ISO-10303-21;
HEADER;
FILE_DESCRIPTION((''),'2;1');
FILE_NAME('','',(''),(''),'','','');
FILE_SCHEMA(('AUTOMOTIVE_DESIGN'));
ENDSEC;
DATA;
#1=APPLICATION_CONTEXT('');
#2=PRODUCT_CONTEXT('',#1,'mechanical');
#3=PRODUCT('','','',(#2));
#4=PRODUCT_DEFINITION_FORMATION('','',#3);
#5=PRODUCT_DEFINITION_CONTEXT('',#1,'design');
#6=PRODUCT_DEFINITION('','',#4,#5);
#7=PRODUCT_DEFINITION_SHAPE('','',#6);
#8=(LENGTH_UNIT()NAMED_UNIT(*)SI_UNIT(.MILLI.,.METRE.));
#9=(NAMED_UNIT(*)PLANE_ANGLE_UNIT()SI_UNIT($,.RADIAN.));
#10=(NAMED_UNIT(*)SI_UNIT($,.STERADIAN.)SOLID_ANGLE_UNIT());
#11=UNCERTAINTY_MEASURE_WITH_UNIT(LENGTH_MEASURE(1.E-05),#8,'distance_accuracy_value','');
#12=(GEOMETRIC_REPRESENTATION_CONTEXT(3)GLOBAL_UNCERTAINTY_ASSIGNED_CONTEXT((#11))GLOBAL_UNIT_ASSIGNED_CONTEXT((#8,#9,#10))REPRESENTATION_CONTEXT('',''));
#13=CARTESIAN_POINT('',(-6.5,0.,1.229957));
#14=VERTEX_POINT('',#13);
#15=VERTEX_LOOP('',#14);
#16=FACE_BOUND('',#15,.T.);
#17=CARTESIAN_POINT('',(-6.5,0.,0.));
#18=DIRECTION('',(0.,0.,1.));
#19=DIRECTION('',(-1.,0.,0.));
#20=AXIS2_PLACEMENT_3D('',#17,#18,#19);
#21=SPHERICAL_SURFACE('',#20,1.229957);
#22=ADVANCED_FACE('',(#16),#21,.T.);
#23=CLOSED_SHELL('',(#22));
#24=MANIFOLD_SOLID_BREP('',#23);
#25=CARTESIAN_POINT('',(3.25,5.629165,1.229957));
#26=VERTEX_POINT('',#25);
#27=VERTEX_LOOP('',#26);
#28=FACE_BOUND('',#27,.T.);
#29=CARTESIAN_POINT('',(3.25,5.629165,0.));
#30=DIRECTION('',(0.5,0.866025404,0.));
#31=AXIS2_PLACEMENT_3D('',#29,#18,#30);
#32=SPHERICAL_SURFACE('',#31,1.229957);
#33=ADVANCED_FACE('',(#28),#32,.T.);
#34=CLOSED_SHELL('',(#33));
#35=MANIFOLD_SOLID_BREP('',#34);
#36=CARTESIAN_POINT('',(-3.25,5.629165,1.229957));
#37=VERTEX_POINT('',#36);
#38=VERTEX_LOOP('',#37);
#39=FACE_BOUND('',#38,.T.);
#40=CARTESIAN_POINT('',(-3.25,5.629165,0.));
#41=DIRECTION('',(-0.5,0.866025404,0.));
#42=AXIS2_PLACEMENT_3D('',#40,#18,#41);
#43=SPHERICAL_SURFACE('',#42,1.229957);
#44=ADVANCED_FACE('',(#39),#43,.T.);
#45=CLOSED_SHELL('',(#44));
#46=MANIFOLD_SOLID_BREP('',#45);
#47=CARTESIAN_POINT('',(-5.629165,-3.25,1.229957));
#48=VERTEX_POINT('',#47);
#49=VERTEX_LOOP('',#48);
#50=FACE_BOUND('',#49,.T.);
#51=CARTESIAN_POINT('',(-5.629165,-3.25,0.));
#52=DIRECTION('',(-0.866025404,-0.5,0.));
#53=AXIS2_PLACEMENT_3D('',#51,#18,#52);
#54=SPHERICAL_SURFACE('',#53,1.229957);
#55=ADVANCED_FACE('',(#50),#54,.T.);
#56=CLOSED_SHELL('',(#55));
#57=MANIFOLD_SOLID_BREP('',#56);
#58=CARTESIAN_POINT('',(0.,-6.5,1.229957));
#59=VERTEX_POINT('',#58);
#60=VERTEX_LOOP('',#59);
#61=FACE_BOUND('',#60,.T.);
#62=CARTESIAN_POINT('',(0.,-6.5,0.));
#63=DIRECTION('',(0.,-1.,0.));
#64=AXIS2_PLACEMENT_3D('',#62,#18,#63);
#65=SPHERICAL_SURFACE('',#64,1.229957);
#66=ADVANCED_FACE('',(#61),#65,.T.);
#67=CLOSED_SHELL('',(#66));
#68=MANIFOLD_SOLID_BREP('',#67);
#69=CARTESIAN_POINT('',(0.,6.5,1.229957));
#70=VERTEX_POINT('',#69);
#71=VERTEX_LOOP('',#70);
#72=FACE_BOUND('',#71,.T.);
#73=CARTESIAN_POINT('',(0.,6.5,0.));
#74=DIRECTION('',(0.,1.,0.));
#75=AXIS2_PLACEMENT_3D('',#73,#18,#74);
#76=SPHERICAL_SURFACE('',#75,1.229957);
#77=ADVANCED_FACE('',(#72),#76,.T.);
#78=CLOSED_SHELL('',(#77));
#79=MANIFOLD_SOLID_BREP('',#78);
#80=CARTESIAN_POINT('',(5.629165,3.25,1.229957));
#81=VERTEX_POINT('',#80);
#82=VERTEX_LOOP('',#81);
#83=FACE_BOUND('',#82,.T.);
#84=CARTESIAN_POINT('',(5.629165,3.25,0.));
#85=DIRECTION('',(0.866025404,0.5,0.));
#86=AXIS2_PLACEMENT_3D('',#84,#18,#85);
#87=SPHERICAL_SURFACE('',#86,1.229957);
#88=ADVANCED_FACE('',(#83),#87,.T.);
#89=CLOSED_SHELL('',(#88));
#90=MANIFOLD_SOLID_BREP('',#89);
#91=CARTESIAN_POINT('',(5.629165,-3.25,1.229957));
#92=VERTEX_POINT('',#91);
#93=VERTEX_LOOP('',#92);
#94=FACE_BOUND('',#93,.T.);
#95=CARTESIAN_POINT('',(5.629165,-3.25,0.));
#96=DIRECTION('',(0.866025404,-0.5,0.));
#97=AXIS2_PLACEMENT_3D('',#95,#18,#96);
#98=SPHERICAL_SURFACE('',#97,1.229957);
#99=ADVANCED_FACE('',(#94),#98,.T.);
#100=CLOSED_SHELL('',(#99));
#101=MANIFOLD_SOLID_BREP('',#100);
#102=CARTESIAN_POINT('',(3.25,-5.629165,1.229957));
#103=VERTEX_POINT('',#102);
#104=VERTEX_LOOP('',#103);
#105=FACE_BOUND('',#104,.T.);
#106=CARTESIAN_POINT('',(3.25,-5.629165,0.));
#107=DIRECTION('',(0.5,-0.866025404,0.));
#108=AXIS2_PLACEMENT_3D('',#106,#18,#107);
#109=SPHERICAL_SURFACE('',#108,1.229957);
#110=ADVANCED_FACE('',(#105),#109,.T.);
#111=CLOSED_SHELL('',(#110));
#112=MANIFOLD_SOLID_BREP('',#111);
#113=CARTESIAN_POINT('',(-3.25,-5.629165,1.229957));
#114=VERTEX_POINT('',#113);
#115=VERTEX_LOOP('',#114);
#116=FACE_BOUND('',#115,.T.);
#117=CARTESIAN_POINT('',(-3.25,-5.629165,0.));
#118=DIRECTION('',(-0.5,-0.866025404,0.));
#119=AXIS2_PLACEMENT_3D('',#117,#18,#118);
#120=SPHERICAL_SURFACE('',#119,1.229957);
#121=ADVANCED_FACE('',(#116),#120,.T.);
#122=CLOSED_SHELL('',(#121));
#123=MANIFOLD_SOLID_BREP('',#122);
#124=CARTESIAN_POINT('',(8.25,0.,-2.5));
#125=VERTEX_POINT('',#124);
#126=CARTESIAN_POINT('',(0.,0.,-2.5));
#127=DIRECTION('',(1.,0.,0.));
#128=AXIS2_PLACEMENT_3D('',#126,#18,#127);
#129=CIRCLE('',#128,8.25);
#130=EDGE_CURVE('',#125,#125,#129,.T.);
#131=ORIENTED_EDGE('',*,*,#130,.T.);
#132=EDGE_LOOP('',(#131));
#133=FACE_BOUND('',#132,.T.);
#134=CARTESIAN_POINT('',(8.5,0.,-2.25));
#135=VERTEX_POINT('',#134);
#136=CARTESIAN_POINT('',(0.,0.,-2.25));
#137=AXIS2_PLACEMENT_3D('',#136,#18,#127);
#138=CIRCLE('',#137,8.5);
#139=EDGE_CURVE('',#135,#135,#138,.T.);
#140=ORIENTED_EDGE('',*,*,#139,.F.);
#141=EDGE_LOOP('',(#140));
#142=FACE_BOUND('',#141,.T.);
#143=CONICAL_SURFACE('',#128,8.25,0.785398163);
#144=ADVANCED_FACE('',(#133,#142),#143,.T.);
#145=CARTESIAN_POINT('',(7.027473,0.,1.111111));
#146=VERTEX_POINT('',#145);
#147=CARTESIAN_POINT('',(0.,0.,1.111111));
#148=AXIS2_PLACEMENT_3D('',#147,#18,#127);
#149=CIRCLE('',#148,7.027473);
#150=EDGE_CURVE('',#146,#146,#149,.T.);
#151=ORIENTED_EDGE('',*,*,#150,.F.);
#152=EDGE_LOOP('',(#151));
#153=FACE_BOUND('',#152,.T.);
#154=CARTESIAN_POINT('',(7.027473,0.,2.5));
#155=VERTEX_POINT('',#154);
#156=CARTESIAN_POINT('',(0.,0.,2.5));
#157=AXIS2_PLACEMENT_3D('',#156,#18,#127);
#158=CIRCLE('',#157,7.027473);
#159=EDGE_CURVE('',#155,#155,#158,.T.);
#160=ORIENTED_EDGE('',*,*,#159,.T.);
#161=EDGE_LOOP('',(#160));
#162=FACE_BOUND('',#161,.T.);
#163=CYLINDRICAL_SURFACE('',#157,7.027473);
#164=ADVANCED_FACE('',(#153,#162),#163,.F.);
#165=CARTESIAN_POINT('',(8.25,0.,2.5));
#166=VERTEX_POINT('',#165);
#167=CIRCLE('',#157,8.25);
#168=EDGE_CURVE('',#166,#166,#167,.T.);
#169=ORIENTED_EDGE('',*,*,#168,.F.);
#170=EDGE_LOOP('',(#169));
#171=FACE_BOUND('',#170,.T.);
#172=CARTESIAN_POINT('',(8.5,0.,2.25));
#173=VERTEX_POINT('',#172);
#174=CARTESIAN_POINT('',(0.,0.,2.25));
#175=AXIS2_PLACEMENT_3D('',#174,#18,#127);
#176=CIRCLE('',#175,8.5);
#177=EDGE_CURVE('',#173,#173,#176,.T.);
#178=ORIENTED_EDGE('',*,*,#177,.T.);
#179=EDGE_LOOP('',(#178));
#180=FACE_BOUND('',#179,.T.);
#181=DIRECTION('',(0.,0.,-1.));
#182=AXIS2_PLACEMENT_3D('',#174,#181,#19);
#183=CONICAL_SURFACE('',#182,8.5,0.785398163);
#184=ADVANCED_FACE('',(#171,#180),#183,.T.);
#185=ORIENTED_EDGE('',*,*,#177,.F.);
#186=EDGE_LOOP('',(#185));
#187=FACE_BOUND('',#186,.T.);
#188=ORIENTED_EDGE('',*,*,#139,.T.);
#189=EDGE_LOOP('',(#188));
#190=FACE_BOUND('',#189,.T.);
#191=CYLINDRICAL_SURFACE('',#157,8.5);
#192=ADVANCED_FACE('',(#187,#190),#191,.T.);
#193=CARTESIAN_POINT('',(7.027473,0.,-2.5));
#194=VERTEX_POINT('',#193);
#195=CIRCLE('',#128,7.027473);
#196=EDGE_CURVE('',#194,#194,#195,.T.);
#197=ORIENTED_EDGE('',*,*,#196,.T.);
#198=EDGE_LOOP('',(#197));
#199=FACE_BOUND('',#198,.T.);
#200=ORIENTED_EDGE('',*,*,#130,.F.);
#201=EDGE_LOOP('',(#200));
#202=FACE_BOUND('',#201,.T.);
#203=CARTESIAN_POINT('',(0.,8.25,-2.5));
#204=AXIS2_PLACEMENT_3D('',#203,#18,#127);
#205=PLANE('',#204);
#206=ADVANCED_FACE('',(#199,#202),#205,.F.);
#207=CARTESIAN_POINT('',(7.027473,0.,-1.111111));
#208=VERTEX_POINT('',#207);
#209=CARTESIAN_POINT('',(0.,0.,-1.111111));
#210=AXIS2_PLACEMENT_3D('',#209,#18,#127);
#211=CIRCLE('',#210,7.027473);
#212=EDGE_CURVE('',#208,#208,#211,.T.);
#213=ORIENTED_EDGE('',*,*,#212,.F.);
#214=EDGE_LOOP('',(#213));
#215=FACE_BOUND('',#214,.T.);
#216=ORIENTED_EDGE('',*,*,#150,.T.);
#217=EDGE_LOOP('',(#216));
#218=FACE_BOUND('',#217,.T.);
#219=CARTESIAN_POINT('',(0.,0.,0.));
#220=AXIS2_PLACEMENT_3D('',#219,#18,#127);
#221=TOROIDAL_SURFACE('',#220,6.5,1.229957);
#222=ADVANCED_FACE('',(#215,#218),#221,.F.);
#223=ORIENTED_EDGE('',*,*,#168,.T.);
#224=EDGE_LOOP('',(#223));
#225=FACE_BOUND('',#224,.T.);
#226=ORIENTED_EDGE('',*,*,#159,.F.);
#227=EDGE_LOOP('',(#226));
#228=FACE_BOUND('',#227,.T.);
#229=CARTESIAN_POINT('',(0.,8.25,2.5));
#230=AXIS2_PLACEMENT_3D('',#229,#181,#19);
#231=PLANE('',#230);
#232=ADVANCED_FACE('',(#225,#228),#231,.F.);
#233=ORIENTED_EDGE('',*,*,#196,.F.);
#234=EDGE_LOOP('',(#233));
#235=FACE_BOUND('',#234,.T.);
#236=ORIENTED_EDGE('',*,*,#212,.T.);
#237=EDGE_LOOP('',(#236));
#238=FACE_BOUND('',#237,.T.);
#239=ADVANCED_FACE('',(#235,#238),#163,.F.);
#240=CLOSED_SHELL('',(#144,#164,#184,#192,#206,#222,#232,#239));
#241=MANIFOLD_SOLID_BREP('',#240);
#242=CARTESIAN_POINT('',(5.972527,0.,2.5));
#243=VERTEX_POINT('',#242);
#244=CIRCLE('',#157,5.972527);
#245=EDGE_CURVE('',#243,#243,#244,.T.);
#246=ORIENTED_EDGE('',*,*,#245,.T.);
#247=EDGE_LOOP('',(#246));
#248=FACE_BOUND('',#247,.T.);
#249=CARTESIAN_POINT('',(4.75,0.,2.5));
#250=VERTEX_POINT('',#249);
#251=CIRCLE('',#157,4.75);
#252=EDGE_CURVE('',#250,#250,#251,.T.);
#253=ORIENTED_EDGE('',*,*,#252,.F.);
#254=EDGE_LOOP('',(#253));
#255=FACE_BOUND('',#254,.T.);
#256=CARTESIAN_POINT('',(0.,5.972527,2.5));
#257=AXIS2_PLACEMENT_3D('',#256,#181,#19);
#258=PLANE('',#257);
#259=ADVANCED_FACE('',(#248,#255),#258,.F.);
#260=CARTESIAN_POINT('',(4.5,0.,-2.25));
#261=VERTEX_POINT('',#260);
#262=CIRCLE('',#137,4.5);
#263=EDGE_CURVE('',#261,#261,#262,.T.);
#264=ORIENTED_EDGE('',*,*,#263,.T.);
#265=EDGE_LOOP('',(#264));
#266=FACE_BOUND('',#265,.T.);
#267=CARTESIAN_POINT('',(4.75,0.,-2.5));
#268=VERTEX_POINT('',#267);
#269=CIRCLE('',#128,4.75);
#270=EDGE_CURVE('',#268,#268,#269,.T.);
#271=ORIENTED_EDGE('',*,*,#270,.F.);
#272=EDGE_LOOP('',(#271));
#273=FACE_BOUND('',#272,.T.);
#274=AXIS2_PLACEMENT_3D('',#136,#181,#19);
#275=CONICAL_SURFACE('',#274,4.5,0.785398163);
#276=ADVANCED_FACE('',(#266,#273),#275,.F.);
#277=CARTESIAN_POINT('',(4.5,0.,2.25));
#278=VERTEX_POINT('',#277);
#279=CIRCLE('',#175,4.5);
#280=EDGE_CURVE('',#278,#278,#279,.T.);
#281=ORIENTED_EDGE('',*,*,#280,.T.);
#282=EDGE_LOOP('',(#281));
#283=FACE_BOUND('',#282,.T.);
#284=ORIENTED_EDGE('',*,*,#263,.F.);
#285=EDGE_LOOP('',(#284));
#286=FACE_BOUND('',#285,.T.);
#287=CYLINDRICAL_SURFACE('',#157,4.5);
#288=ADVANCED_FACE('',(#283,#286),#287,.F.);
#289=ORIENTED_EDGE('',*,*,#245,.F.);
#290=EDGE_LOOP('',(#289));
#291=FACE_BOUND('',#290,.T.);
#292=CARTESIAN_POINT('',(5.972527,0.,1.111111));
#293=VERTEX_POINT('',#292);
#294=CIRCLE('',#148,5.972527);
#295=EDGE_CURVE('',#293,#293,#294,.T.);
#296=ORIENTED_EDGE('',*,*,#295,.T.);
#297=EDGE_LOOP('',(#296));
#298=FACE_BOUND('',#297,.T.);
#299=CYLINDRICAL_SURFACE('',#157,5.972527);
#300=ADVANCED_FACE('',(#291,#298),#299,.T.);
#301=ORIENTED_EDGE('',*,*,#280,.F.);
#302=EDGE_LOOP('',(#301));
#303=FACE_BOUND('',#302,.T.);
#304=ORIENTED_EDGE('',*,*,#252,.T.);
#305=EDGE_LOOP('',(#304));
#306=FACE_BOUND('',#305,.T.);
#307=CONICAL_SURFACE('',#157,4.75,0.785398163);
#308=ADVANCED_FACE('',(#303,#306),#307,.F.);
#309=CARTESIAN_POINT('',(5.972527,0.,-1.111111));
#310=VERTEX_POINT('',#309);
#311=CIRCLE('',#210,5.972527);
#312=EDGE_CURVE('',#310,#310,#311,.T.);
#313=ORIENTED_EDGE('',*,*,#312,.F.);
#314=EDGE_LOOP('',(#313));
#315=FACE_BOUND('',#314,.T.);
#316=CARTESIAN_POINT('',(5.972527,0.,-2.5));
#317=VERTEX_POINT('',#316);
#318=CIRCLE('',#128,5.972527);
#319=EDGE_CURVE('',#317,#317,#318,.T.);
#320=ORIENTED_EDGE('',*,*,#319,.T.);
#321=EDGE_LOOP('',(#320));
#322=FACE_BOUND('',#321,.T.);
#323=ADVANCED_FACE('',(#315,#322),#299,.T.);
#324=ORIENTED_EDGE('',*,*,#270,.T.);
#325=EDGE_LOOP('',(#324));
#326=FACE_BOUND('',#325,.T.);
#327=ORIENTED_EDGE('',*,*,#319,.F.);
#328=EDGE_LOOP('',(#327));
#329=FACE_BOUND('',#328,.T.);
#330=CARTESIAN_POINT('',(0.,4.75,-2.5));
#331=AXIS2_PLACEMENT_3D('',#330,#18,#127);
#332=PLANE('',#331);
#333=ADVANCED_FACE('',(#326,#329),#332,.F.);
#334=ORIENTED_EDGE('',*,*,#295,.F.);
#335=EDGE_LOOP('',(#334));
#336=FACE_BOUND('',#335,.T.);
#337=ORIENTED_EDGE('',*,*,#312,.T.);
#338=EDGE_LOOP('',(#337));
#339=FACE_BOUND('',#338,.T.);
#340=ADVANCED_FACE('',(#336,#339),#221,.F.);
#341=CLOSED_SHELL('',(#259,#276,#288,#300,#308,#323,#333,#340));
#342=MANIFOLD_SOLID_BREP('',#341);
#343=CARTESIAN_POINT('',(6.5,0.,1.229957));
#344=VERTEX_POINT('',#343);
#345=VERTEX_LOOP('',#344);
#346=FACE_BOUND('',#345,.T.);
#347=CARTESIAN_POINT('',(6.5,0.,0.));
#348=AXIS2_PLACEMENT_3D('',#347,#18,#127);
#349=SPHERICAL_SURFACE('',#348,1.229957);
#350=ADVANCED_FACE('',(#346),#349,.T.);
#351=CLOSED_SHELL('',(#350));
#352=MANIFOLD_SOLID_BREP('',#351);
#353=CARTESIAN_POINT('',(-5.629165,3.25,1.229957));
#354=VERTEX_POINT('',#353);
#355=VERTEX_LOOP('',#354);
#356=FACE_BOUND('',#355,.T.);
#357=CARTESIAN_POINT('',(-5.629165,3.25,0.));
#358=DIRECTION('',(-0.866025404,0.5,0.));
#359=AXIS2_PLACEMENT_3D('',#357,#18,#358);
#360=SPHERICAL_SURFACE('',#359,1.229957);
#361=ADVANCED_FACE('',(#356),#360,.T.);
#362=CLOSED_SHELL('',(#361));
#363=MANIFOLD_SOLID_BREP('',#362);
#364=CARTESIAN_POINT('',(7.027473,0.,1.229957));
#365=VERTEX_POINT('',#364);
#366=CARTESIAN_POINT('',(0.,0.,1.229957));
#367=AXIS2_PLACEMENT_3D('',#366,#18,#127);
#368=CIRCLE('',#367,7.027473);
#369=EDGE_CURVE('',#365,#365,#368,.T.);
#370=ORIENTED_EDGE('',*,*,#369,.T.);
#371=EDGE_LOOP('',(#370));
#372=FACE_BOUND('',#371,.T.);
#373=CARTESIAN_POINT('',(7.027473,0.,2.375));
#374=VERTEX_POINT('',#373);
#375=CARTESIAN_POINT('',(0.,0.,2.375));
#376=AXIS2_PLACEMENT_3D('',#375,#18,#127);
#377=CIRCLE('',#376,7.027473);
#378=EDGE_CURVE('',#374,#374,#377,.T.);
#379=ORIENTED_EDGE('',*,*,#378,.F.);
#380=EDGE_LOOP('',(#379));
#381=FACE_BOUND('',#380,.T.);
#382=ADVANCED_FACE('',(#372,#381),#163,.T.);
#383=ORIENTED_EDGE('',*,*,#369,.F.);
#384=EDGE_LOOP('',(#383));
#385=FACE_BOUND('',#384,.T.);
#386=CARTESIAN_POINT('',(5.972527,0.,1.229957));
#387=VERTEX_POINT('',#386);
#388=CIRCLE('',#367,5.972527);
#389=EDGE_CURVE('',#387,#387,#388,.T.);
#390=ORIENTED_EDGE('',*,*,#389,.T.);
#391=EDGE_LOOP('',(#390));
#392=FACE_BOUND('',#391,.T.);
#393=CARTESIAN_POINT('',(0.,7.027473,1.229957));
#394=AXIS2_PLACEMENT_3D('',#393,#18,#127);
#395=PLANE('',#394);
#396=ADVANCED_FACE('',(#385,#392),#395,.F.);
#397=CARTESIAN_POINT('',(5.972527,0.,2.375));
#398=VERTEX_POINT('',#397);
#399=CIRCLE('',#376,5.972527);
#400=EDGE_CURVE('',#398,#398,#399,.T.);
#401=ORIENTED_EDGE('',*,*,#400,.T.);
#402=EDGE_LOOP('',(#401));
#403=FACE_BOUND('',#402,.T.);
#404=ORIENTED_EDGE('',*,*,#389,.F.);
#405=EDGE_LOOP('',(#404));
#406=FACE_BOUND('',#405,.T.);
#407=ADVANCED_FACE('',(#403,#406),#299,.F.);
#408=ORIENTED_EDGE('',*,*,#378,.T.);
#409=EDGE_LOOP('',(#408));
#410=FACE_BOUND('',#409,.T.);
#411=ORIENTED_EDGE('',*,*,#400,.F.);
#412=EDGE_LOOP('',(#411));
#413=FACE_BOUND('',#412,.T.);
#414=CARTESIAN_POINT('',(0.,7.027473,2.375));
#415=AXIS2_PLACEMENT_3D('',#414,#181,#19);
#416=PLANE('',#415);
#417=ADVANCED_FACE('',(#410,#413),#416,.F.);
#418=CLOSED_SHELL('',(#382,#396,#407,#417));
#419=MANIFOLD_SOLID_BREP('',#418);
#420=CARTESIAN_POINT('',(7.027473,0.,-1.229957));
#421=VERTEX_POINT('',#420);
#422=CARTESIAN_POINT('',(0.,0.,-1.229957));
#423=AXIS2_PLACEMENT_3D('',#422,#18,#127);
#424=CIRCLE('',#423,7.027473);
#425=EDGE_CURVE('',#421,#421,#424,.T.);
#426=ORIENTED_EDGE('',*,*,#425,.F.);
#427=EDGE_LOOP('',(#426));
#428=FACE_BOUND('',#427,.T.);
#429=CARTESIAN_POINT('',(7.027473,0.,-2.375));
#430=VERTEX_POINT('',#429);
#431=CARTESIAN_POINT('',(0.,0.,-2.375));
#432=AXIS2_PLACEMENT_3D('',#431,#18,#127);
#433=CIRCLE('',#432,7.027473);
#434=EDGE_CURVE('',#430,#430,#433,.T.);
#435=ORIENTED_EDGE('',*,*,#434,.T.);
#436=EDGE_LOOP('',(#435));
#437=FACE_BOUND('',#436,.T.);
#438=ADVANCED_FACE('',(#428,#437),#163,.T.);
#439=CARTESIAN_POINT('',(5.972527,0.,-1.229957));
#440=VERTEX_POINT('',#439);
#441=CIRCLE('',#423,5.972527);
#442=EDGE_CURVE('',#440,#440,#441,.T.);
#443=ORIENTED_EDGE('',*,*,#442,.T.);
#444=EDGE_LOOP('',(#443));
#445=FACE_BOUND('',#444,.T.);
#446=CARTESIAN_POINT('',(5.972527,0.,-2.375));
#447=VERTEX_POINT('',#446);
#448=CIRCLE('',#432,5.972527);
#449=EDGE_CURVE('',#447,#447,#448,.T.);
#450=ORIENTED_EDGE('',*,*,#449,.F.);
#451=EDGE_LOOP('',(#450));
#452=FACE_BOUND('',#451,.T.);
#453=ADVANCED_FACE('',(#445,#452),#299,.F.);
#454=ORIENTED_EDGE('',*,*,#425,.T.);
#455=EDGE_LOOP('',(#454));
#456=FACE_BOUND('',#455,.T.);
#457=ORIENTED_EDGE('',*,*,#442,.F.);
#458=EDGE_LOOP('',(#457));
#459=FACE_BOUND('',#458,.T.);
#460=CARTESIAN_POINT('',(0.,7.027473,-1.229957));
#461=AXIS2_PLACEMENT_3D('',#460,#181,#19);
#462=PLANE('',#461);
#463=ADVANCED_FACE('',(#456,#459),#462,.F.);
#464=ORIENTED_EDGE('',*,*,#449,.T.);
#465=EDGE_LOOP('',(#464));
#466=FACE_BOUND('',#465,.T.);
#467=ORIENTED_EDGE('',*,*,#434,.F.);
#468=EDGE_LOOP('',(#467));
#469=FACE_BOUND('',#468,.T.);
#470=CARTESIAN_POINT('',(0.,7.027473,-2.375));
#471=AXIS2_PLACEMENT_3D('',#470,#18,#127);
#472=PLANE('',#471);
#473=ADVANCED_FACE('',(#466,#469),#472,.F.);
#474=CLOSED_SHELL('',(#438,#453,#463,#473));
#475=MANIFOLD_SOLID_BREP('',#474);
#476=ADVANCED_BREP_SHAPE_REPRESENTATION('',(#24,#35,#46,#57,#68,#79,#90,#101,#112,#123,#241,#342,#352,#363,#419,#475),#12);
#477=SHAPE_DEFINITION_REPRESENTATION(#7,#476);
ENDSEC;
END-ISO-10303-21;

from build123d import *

# Parameters (mm, degrees)
CIRPATTERN1_COUNT = 12
SKETCH5_W         = 1.145042615
SKETCH5_H         = 1.054945054


with BuildPart() as part:
    # Sketch1 → Revolve1 (revolve)
    with BuildSketch(Plane(origin=(0, 0, 0), x_dir=(0, 0, -1), z_dir=(1, 0, 0)), mode=Mode.PRIVATE) as revolve1_sk:
        with BuildLine():
            Line((2.25, 8.5), (-2.25, 8.5))
            Line((-2.25, 8.5), (-2.5, 8.25))
            Line((-2.5, 8.25), (-2.5, 7.027472527))
            Line((-2.5, 7.027472527), (-1.111111111, 7.027472527))
            ThreePointArc((-1.111111111, 7.027472527), (0, 7.729957385), (1.111111111, 7.027472527))
            Line((1.111111111, 7.027472527), (2.5, 7.027472527))
            Line((2.5, 7.027472527), (2.5, 8.25))
            Line((2.5, 8.25), (2.25, 8.5))
        make_face()
    revolve(revolve1_sk.sketch.rotate(Axis((0, 0, 2.5), (0, 0, -1)), 90), axis=Axis((0, 0, 2.5), (0, 0, -1)))


with BuildPart() as body_2:
    # Sketch3 → Revolve3 (revolve)
    with BuildSketch(Plane(origin=(0, 0, 0), x_dir=(0, 0, -1), z_dir=(1, 0, 0)), mode=Mode.PRIVATE) as revolve3_sk:
        with BuildLine():
            Line((-2.5, 5.972527473), (-1.111111111, 5.972527473))
            ThreePointArc((-1.111111111, 5.972527473), (0, 5.270042615), (1.111111111, 5.972527473))
            Line((1.111111111, 5.972527473), (2.5, 5.972527473))
            Line((2.5, 5.972527473), (2.5, 4.75))
            Line((2.5, 4.75), (2.25, 4.5))
            Line((2.25, 4.5), (-2.25, 4.5))
            Line((-2.25, 4.5), (-2.5, 4.75))
            Line((-2.5, 4.75), (-2.5, 5.972527473))
        make_face()
    revolve(revolve3_sk.sketch.rotate(Axis((0, 0, 2.5), (0, 0, -1)), 90), axis=Axis((0, 0, 2.5), (0, 0, -1)))


with BuildPart() as body_3:
    # Sketch4 → Revolve4 (revolve)
    with BuildSketch(Plane(origin=(0, 0, 0), x_dir=(0, 0, -1), z_dir=(1, 0, 0))):
        with BuildLine():
            Line((-1.229957385, 6.5), (1.229957385, 6.5))
            ThreePointArc((1.229957385, 6.5), (0, 7.729957385), (-1.229957385, 6.5))
        make_face()
    revolve(axis=Axis((0, 6.5, 1.229957385), (0, 0, -1)))


with BuildPart() as cirpattern1_1:
    # CirPattern1: pattern copy
    add(body_3.part.rotate(Axis((0, 0, 0), (0, 0, 1)), 1 * 360 / CIRPATTERN1_COUNT))


with BuildPart() as cirpattern1_2:
    # CirPattern1: pattern copy
    add(body_3.part.rotate(Axis((0, 0, 0), (0, 0, 1)), 2 * 360 / CIRPATTERN1_COUNT))


with BuildPart() as cirpattern1_3:
    # CirPattern1: pattern copy
    add(body_3.part.rotate(Axis((0, 0, 0), (0, 0, 1)), 3 * 360 / CIRPATTERN1_COUNT))


with BuildPart() as cirpattern1_4:
    # CirPattern1: pattern copy
    add(body_3.part.rotate(Axis((0, 0, 0), (0, 0, 1)), 4 * 360 / CIRPATTERN1_COUNT))


with BuildPart() as cirpattern1_5:
    # CirPattern1: pattern copy
    add(body_3.part.rotate(Axis((0, 0, 0), (0, 0, 1)), 5 * 360 / CIRPATTERN1_COUNT))


with BuildPart() as cirpattern1_6:
    # CirPattern1: pattern copy
    add(body_3.part.rotate(Axis((0, 0, 0), (0, 0, 1)), 6 * 360 / CIRPATTERN1_COUNT))


with BuildPart() as cirpattern1_7:
    # CirPattern1: pattern copy
    add(body_3.part.rotate(Axis((0, 0, 0), (0, 0, 1)), 7 * 360 / CIRPATTERN1_COUNT))


with BuildPart() as cirpattern1_8:
    # CirPattern1: pattern copy
    add(body_3.part.rotate(Axis((0, 0, 0), (0, 0, 1)), 8 * 360 / CIRPATTERN1_COUNT))


with BuildPart() as cirpattern1_9:
    # CirPattern1: pattern copy
    add(body_3.part.rotate(Axis((0, 0, 0), (0, 0, 1)), 9 * 360 / CIRPATTERN1_COUNT))


with BuildPart() as cirpattern1_10:
    # CirPattern1: pattern copy
    add(body_3.part.rotate(Axis((0, 0, 0), (0, 0, 1)), 10 * 360 / CIRPATTERN1_COUNT))


with BuildPart() as cirpattern1_11:
    # CirPattern1: pattern copy
    add(body_3.part.rotate(Axis((0, 0, 0), (0, 0, 1)), 11 * 360 / CIRPATTERN1_COUNT))


with BuildPart() as body_15:
    # Sketch5 → Revolve5 (revolve)
    with BuildSketch(Plane(origin=(0, 0, 0), x_dir=(0, 0, -1), z_dir=(1, 0, 0)), mode=Mode.PRIVATE) as revolve5_sk:
        with Locations((-1.802478693, 6.5)):
            Rectangle(SKETCH5_W, SKETCH5_H)
        with Locations((1.802478693, 6.5)):
            Rectangle(SKETCH5_W, SKETCH5_H)
    revolve(revolve5_sk.sketch.rotate(Axis((0, 0, 2.5), (0, 0, -1)), 90), axis=Axis((0, 0, 2.5), (0, 0, -1)))


solid = Compound([part.part, body_2.part, body_3.part, cirpattern1_1.part, cirpattern1_2.part, cirpattern1_3.part, cirpattern1_4.part, cirpattern1_5.part, cirpattern1_6.part, cirpattern1_7.part, cirpattern1_8.part, cirpattern1_9.part, cirpattern1_10.part, cirpattern1_11.part, body_15.part])
